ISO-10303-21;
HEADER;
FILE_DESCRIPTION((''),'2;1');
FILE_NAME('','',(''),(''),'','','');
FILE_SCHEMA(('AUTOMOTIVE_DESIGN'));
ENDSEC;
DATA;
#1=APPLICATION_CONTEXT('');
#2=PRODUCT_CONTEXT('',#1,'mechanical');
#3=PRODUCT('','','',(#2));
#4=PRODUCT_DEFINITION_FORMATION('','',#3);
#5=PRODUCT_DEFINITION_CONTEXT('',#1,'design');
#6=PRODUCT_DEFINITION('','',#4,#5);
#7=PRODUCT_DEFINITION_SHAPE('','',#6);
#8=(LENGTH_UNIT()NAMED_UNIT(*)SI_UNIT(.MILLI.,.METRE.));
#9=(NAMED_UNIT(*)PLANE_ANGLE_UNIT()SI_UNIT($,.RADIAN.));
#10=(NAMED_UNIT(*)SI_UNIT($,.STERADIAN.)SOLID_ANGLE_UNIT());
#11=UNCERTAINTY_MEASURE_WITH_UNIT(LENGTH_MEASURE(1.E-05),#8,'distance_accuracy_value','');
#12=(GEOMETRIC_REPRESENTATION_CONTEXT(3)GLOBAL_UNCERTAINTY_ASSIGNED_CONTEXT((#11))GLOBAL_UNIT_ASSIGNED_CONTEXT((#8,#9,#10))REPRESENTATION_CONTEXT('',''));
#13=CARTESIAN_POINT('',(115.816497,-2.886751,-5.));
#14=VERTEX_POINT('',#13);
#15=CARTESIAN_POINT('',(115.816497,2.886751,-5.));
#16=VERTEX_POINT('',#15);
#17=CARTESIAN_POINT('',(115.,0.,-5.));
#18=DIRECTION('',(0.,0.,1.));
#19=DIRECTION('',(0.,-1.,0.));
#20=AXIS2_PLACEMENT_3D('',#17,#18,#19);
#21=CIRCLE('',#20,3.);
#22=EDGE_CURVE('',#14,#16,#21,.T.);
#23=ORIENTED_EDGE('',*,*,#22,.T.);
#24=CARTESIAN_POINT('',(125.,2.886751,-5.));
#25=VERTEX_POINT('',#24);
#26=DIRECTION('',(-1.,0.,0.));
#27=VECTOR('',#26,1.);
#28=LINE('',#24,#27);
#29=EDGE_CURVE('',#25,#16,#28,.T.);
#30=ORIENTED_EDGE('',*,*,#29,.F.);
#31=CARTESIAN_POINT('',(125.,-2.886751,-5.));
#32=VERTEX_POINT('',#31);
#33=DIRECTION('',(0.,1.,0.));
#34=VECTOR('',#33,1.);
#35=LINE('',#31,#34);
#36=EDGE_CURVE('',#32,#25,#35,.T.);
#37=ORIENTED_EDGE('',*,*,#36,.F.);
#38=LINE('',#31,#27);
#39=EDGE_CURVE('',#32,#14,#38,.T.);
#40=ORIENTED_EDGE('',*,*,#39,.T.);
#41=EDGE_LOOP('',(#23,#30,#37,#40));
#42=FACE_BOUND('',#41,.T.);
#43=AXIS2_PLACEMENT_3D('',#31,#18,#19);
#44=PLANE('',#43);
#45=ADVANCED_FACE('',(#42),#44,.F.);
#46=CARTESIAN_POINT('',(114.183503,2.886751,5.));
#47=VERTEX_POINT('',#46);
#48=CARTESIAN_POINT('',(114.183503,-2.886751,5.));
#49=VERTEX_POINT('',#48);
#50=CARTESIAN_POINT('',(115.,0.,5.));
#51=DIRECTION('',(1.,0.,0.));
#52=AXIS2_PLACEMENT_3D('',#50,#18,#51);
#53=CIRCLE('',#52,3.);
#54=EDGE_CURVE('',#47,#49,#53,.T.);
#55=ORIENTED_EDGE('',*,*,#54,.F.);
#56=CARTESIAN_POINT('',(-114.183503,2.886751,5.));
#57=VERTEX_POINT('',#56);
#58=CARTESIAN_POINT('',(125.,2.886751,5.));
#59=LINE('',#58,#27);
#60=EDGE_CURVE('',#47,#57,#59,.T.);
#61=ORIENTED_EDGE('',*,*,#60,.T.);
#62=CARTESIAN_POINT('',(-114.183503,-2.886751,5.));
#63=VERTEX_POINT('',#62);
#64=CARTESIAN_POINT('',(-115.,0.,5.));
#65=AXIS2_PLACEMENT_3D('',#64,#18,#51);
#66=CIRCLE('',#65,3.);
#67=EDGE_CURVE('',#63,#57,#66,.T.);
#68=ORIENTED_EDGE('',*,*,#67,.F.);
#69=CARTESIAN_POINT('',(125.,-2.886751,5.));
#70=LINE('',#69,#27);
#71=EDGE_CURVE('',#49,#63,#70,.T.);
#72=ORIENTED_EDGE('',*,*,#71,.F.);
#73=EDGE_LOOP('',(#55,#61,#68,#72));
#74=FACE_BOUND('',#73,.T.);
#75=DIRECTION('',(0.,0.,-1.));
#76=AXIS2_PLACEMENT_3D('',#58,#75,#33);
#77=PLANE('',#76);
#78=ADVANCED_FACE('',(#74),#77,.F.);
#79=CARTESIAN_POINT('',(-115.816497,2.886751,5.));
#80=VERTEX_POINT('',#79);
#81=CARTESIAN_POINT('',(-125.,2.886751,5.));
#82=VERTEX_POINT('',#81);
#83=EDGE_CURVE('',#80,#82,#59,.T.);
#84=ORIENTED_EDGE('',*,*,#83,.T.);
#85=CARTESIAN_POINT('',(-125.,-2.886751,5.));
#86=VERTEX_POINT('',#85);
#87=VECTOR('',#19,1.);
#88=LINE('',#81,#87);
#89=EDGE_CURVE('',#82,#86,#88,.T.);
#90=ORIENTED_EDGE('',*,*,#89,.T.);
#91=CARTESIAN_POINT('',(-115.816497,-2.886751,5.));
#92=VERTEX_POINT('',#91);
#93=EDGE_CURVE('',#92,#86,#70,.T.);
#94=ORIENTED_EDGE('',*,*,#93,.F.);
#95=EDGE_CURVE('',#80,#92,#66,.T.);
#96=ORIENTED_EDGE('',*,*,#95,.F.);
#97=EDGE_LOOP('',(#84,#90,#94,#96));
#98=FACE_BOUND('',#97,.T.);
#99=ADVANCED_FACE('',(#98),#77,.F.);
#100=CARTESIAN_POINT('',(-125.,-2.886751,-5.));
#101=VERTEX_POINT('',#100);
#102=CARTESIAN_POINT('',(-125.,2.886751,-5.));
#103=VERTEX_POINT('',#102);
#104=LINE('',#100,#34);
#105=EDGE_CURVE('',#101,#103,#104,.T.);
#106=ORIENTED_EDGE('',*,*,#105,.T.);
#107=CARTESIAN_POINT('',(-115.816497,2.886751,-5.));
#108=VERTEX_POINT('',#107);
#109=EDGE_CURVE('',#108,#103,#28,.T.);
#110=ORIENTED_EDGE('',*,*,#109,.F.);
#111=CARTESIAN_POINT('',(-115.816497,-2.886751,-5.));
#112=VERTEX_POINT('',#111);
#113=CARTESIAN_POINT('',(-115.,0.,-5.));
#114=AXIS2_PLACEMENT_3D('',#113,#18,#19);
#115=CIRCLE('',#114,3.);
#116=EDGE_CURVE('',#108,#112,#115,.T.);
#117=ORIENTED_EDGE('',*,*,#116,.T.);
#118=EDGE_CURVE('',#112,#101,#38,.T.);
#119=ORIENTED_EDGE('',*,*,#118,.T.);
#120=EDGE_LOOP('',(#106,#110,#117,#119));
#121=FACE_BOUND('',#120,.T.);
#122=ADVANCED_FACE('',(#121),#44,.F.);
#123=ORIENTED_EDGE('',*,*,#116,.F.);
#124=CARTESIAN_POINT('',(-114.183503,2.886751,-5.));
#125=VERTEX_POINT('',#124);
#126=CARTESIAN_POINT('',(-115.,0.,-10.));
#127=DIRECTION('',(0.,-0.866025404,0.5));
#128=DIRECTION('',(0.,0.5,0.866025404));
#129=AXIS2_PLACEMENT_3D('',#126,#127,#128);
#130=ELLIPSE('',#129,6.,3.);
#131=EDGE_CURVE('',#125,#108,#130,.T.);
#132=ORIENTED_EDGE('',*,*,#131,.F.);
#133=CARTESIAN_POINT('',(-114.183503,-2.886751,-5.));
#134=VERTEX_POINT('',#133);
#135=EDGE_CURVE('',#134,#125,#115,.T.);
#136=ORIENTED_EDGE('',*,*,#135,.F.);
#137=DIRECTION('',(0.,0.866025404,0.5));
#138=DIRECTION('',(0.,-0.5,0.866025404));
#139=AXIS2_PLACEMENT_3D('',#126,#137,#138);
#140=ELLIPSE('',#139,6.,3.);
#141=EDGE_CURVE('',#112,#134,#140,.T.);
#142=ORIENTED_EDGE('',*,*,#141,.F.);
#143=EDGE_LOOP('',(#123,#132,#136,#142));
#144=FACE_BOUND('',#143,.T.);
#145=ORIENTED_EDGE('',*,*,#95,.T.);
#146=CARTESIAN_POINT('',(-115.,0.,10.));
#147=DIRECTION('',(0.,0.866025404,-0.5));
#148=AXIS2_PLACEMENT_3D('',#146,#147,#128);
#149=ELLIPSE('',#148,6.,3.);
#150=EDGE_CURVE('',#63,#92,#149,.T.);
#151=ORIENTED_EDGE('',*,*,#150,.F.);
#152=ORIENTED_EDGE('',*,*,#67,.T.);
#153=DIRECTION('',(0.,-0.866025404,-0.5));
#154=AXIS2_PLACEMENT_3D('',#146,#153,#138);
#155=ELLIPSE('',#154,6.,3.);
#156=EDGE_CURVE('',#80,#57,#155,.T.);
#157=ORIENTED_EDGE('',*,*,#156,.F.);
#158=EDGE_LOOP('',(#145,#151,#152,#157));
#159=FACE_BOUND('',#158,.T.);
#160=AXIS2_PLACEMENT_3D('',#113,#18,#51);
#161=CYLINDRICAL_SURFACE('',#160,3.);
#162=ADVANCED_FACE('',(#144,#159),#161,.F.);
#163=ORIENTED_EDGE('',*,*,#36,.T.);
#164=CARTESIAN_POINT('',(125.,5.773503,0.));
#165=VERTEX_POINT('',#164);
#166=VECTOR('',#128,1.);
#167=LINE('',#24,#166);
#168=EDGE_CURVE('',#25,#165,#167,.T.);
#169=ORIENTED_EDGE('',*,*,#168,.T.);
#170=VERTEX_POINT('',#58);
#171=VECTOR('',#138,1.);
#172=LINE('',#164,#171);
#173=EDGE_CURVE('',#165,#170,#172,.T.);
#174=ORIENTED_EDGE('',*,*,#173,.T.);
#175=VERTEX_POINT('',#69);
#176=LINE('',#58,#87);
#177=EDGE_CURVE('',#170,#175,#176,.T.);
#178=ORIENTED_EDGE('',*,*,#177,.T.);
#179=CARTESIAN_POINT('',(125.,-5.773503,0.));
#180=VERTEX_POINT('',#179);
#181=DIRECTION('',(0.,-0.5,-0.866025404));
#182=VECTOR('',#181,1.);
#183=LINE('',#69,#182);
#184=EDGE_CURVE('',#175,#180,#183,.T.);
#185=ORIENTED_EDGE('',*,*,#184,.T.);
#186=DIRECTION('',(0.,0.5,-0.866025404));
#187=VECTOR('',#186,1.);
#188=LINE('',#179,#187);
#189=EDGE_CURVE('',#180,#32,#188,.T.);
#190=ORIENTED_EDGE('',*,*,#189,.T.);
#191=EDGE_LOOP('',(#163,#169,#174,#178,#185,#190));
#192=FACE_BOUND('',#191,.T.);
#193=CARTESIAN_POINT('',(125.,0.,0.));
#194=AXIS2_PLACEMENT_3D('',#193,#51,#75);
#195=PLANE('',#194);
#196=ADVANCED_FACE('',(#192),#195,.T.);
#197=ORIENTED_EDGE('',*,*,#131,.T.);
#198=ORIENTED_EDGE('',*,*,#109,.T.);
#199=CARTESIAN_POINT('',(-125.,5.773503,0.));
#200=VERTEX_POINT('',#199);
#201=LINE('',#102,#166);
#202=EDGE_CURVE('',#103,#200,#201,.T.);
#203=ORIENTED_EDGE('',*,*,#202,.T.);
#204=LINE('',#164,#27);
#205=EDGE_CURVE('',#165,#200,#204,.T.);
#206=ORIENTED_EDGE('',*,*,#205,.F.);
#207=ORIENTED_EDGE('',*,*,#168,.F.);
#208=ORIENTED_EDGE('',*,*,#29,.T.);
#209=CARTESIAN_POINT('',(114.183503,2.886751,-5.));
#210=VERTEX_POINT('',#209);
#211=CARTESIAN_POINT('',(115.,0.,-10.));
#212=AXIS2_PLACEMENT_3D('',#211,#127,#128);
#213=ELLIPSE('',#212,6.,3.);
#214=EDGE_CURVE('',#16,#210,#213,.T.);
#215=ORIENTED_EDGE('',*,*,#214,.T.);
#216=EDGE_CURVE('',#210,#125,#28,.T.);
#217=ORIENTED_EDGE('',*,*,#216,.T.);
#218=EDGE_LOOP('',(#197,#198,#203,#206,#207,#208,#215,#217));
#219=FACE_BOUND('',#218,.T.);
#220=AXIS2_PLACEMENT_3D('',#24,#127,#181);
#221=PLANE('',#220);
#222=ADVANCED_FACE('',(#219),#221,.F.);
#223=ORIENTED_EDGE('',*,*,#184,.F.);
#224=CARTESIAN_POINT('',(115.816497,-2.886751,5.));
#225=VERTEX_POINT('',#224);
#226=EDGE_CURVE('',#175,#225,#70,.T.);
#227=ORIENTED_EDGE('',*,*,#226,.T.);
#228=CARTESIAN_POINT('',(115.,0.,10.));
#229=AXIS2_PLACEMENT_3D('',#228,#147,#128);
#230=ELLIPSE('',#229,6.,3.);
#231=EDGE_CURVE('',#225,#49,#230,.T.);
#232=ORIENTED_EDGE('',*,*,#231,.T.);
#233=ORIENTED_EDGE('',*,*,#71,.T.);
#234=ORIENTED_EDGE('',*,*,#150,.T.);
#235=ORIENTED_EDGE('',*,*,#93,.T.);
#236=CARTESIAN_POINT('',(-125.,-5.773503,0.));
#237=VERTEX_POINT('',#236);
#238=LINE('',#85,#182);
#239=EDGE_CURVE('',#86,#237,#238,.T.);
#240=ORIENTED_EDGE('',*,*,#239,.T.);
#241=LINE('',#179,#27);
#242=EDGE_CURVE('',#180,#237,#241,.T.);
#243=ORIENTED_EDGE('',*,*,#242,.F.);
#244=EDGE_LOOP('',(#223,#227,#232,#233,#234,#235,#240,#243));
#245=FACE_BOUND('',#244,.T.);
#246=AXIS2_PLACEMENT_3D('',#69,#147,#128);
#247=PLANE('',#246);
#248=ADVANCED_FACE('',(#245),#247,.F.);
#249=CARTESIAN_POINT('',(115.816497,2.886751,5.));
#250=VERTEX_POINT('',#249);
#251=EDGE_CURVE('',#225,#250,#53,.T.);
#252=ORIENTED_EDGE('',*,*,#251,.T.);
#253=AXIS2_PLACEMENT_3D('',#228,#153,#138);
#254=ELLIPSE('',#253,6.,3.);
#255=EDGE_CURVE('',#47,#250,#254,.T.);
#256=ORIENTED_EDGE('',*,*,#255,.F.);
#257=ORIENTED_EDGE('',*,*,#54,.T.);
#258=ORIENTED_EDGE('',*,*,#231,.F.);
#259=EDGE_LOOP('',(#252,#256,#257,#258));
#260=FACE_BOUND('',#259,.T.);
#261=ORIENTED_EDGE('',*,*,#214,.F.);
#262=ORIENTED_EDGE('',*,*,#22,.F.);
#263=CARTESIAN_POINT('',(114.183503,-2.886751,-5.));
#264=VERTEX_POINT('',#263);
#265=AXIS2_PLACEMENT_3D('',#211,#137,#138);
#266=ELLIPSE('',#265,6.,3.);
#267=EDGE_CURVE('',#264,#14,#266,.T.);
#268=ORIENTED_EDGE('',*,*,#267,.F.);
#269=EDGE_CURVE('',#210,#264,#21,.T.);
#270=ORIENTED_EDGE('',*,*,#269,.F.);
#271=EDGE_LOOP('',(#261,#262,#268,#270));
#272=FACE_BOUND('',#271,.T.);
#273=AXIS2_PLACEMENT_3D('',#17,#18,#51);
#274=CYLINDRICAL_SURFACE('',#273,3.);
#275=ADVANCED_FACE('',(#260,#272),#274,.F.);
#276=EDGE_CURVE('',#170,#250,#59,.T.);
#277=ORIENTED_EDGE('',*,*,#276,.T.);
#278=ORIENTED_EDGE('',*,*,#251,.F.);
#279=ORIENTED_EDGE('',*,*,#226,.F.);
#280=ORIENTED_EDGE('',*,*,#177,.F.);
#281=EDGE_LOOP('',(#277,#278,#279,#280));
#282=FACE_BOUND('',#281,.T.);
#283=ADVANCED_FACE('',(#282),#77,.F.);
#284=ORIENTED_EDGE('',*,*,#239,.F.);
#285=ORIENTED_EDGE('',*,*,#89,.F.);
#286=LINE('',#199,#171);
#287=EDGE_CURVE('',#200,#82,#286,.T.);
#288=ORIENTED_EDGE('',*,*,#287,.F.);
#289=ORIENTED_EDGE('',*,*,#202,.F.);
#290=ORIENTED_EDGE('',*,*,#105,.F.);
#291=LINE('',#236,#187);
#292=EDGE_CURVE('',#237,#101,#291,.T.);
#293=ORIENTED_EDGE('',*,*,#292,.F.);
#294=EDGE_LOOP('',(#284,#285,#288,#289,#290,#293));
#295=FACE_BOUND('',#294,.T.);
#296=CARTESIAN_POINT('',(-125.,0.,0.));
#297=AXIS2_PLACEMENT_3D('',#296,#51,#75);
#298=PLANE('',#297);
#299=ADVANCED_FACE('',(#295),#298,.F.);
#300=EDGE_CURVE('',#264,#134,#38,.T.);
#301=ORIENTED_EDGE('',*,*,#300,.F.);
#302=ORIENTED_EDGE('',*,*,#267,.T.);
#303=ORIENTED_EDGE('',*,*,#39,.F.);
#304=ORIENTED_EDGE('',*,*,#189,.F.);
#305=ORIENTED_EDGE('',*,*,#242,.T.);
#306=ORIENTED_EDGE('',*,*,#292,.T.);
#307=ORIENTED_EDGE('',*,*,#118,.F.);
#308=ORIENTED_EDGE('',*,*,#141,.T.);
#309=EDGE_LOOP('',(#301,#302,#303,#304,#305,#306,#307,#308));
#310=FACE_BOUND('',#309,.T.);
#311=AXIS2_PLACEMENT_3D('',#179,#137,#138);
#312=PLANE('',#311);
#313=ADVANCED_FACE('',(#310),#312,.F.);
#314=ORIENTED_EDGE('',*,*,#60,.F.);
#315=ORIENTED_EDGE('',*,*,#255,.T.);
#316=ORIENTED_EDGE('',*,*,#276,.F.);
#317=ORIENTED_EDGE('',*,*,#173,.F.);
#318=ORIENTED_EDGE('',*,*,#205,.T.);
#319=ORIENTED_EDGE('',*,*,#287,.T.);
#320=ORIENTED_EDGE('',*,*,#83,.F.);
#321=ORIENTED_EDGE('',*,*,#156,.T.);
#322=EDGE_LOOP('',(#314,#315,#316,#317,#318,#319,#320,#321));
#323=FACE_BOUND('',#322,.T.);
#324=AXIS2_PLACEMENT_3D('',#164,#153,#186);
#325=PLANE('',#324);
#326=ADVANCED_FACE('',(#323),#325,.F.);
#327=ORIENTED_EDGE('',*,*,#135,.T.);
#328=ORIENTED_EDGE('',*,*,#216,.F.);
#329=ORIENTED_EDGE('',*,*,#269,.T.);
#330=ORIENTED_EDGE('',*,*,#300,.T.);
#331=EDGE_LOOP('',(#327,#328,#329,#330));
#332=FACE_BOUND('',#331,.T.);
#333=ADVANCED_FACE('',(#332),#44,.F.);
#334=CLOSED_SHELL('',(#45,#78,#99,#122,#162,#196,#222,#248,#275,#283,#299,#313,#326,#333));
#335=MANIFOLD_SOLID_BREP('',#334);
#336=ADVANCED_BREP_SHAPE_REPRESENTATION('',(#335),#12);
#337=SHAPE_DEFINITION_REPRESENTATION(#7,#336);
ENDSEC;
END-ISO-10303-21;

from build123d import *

# Parameters (mm, degrees)
BOSS_EXTRUDE1_DEPTH     = 125
SKETCH2_R               = 3
CUT_EXTRUDE1_DEPTH      = 6
CUT_EXTRUDE1_DEPTH_BACK = 6


with BuildPart() as part:
    # Sketch1 → Boss-Extrude1 (new body, symmetric)
    with BuildSketch(Plane(origin=(0, 0, 0), x_dir=(0, 0, -1), z_dir=(1, 0, 0))):
        Polygon((0, 5.773502692), (-5, 2.886751346), (-5, -2.886751346), (0, -5.773502692), (5, -2.886751346), (5, 2.886751346), align=None)
    extrude(amount=BOSS_EXTRUDE1_DEPTH, both=True)

    # Sketch2 → Cut-Extrude1 (cut, two sides)
    with BuildSketch(Plane.XY) as cut_extrude1_sk:
        with Locations((-115, 0)):
            Circle(SKETCH2_R)
        with Locations((115, 0)):
            Circle(SKETCH2_R)
    extrude(amount=CUT_EXTRUDE1_DEPTH, mode=Mode.SUBTRACT)
    extrude(cut_extrude1_sk.sketch, amount=-CUT_EXTRUDE1_DEPTH_BACK, mode=Mode.SUBTRACT)


solid = part.part
